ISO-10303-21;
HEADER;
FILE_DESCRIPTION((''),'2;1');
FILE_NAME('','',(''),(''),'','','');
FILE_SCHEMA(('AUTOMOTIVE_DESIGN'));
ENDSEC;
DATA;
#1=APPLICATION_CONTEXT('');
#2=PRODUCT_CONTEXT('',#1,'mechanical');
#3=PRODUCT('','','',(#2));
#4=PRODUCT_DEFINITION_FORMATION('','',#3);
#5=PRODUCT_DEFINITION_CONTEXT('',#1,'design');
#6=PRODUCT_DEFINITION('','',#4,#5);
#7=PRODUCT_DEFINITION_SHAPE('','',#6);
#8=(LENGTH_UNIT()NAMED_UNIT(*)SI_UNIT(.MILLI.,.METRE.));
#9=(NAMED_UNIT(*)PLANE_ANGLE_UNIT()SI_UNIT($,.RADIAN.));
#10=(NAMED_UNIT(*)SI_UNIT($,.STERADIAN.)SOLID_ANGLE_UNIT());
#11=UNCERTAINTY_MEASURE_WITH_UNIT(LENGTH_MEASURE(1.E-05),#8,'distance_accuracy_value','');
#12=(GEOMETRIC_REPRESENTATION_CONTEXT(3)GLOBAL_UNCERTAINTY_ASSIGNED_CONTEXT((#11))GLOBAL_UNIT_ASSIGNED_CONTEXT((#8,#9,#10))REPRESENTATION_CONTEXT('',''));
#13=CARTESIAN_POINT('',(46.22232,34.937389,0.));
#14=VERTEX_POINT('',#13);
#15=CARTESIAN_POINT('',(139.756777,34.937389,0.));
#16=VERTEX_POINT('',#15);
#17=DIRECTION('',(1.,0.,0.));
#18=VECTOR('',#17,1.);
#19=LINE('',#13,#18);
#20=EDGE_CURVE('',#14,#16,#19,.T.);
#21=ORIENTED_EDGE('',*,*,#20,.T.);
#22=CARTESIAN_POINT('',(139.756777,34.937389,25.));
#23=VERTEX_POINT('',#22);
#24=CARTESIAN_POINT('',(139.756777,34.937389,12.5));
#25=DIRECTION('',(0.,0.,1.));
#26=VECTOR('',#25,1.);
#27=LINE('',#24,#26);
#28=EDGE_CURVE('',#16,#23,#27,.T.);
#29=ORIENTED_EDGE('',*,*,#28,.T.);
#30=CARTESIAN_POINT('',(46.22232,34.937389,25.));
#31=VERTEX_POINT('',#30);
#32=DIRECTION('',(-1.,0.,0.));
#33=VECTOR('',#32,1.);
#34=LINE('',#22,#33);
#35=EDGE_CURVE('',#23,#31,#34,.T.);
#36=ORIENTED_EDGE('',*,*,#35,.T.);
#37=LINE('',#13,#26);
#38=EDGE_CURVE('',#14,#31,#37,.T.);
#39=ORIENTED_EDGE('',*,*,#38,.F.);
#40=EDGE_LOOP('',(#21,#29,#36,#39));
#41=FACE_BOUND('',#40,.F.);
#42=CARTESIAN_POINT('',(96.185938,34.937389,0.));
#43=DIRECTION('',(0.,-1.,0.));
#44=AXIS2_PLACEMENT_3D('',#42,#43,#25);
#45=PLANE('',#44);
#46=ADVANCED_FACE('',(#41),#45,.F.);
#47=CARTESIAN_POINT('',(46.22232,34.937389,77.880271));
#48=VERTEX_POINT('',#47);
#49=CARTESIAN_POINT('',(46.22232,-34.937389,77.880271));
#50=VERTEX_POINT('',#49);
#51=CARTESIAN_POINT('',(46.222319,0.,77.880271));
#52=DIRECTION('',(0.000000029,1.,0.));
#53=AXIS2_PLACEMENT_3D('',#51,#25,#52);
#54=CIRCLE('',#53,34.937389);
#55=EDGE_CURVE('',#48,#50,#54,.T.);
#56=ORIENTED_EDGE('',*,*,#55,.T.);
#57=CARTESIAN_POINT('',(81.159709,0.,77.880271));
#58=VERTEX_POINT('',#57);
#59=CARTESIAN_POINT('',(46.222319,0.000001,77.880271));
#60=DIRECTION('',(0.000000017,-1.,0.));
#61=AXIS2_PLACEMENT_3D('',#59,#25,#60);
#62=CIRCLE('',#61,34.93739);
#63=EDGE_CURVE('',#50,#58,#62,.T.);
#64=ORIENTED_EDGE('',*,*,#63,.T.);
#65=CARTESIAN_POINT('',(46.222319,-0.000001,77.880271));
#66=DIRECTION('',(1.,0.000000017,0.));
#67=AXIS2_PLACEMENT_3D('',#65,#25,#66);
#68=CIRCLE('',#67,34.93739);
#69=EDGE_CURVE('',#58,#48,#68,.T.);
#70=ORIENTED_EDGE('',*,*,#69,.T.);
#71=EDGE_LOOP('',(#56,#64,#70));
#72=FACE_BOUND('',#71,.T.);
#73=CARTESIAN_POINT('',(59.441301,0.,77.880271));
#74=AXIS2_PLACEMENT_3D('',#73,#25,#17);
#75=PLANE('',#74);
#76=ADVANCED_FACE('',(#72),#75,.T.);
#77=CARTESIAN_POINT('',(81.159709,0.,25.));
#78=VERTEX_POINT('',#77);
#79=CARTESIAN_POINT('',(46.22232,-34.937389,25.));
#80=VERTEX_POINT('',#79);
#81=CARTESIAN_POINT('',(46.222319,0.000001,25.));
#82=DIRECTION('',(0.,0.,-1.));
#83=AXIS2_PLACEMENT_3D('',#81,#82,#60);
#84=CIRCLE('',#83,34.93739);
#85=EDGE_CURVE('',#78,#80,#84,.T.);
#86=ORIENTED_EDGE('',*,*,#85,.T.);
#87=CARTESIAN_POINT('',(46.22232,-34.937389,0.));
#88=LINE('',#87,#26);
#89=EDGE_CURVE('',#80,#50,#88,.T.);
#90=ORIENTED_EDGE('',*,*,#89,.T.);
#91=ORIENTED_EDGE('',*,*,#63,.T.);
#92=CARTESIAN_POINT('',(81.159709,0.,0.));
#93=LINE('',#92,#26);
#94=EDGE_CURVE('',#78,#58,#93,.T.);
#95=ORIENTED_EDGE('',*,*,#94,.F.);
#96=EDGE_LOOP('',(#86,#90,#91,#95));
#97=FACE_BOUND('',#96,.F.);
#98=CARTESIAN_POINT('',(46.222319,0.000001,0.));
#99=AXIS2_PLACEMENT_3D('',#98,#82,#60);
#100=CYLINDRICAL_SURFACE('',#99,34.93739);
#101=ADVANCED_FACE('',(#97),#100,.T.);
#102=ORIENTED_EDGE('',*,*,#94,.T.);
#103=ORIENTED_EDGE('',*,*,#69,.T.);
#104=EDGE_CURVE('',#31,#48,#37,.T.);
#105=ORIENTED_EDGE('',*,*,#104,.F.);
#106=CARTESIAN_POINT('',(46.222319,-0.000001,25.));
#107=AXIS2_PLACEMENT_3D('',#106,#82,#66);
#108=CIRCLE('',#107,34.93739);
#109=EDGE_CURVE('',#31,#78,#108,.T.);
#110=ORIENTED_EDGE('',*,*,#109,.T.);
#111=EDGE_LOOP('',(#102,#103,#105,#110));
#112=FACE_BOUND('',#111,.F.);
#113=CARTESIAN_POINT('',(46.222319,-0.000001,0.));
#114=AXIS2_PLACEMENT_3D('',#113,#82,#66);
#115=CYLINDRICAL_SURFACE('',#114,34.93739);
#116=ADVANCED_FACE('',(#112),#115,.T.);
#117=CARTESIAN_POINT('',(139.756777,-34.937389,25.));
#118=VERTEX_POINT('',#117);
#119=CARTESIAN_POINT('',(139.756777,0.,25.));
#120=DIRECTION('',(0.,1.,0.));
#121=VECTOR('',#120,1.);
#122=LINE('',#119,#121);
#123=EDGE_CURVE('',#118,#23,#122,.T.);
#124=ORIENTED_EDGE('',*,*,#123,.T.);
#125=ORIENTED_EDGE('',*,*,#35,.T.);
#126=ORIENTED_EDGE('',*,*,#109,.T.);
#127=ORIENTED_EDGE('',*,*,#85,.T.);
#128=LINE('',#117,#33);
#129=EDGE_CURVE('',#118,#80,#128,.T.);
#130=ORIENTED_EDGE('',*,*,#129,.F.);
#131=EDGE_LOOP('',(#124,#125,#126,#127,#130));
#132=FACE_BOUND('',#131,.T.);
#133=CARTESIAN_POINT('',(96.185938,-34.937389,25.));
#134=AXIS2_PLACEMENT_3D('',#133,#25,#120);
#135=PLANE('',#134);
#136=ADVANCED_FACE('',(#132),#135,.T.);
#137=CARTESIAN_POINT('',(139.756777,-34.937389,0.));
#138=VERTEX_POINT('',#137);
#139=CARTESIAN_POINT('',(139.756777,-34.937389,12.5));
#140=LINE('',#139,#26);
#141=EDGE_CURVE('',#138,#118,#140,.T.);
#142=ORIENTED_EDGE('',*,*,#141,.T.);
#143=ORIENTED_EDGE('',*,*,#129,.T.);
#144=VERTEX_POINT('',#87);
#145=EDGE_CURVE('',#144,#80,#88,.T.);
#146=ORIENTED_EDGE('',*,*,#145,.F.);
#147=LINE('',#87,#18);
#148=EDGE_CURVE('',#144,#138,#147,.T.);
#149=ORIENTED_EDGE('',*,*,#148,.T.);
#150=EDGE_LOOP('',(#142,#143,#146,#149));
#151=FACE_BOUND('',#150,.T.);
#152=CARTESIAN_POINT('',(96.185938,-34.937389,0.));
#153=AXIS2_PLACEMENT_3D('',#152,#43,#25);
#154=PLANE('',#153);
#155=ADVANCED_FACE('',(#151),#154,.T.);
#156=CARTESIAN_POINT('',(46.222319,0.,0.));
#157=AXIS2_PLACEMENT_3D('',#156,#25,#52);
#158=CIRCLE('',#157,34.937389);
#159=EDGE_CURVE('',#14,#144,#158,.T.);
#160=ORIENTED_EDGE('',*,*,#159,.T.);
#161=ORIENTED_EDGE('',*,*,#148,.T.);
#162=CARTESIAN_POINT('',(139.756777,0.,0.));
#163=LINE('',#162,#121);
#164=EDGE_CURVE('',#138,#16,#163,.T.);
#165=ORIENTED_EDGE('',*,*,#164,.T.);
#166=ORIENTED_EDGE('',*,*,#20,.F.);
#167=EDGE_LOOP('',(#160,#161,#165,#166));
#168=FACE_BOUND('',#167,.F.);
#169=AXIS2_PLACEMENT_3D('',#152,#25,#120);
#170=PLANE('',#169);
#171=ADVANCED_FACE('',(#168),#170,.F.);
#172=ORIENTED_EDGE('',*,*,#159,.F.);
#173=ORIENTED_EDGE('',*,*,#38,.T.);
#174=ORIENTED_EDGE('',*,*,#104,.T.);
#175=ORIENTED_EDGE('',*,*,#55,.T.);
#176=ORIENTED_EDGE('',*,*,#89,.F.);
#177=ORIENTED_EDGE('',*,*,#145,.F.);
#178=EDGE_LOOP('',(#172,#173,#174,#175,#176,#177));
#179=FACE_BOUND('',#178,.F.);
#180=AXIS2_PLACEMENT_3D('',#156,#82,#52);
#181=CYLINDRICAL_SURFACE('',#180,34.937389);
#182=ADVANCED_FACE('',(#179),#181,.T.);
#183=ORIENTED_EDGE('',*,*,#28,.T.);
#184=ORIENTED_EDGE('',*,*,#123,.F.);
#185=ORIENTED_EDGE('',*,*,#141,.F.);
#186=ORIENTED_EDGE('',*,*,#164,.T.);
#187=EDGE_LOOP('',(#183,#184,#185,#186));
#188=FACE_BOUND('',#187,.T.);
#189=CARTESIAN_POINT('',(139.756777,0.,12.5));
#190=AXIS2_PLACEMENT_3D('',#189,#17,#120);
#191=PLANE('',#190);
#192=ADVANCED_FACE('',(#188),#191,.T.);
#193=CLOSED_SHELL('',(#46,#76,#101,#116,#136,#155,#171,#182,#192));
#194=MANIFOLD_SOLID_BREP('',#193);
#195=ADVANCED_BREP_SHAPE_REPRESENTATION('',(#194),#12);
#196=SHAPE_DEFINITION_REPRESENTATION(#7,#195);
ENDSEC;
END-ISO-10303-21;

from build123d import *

# Parameters (mm, degrees)
F1_DEPTH  = 25
F2_DEPTH  = 77.880271
F1_FACE_W = 69.874778
F1_FACE_H = 25
F3_DEPTH  = 43.570839


with BuildPart() as f1:
    # F0 (on Top) → F1 (new body)
    with BuildSketch(Plane.XY):
        with BuildLine():
            Line((96.185938, -34.937389), (96.185938, 34.937389))
            Line((96.185938, 34.937389), (46.22232, 34.937389))
            ThreePointArc((46.22232, 34.937389), (70.926784, 24.704465), (81.159709, 0))
            ThreePointArc((81.159709, 0), (70.926784, -24.704465), (46.22232, -34.937389))
            Line((46.22232, -34.937389), (96.185938, -34.937389))
        make_face()
        with BuildLine():
            Line((46.22232, -34.937389), (46.22232, 34.937389))
            ThreePointArc((46.22232, 34.937389), (11.28493, 0), (46.22232, -34.937389))
        make_face()
        with BuildLine():
            ThreePointArc((81.159709, 0), (70.926784, 24.704465), (46.22232, 34.937389))
            Line((46.22232, 34.937389), (46.22232, -34.937389))
            ThreePointArc((46.22232, -34.937389), (70.926784, -24.704465), (81.159709, 0))
        make_face()
    extrude(amount=F1_DEPTH)

    # F0 (on Top) → F2 (join)
    with BuildSketch(Plane.XY):
        with BuildLine():
            ThreePointArc((81.159709, 0), (70.926784, 24.704465), (46.22232, 34.937389))
            Line((46.22232, 34.937389), (46.22232, -34.937389))
            ThreePointArc((46.22232, -34.937389), (70.926784, -24.704465), (81.159709, 0))
        make_face()
        with BuildLine():
            Line((46.22232, -34.937389), (46.22232, 34.937389))
            ThreePointArc((46.22232, 34.937389), (11.28493, 0), (46.22232, -34.937389))
        make_face()
    extrude(amount=F2_DEPTH)

    # F1_face (on face) → F3 (join)
    with BuildSketch(Plane(origin=(96.185938, 0, 12.5), x_dir=(0, 1, 0), z_dir=(1, 0, 0))):
        Rectangle(F1_FACE_W, F1_FACE_H)
    extrude(amount=F3_DEPTH)


solid = f1.part
